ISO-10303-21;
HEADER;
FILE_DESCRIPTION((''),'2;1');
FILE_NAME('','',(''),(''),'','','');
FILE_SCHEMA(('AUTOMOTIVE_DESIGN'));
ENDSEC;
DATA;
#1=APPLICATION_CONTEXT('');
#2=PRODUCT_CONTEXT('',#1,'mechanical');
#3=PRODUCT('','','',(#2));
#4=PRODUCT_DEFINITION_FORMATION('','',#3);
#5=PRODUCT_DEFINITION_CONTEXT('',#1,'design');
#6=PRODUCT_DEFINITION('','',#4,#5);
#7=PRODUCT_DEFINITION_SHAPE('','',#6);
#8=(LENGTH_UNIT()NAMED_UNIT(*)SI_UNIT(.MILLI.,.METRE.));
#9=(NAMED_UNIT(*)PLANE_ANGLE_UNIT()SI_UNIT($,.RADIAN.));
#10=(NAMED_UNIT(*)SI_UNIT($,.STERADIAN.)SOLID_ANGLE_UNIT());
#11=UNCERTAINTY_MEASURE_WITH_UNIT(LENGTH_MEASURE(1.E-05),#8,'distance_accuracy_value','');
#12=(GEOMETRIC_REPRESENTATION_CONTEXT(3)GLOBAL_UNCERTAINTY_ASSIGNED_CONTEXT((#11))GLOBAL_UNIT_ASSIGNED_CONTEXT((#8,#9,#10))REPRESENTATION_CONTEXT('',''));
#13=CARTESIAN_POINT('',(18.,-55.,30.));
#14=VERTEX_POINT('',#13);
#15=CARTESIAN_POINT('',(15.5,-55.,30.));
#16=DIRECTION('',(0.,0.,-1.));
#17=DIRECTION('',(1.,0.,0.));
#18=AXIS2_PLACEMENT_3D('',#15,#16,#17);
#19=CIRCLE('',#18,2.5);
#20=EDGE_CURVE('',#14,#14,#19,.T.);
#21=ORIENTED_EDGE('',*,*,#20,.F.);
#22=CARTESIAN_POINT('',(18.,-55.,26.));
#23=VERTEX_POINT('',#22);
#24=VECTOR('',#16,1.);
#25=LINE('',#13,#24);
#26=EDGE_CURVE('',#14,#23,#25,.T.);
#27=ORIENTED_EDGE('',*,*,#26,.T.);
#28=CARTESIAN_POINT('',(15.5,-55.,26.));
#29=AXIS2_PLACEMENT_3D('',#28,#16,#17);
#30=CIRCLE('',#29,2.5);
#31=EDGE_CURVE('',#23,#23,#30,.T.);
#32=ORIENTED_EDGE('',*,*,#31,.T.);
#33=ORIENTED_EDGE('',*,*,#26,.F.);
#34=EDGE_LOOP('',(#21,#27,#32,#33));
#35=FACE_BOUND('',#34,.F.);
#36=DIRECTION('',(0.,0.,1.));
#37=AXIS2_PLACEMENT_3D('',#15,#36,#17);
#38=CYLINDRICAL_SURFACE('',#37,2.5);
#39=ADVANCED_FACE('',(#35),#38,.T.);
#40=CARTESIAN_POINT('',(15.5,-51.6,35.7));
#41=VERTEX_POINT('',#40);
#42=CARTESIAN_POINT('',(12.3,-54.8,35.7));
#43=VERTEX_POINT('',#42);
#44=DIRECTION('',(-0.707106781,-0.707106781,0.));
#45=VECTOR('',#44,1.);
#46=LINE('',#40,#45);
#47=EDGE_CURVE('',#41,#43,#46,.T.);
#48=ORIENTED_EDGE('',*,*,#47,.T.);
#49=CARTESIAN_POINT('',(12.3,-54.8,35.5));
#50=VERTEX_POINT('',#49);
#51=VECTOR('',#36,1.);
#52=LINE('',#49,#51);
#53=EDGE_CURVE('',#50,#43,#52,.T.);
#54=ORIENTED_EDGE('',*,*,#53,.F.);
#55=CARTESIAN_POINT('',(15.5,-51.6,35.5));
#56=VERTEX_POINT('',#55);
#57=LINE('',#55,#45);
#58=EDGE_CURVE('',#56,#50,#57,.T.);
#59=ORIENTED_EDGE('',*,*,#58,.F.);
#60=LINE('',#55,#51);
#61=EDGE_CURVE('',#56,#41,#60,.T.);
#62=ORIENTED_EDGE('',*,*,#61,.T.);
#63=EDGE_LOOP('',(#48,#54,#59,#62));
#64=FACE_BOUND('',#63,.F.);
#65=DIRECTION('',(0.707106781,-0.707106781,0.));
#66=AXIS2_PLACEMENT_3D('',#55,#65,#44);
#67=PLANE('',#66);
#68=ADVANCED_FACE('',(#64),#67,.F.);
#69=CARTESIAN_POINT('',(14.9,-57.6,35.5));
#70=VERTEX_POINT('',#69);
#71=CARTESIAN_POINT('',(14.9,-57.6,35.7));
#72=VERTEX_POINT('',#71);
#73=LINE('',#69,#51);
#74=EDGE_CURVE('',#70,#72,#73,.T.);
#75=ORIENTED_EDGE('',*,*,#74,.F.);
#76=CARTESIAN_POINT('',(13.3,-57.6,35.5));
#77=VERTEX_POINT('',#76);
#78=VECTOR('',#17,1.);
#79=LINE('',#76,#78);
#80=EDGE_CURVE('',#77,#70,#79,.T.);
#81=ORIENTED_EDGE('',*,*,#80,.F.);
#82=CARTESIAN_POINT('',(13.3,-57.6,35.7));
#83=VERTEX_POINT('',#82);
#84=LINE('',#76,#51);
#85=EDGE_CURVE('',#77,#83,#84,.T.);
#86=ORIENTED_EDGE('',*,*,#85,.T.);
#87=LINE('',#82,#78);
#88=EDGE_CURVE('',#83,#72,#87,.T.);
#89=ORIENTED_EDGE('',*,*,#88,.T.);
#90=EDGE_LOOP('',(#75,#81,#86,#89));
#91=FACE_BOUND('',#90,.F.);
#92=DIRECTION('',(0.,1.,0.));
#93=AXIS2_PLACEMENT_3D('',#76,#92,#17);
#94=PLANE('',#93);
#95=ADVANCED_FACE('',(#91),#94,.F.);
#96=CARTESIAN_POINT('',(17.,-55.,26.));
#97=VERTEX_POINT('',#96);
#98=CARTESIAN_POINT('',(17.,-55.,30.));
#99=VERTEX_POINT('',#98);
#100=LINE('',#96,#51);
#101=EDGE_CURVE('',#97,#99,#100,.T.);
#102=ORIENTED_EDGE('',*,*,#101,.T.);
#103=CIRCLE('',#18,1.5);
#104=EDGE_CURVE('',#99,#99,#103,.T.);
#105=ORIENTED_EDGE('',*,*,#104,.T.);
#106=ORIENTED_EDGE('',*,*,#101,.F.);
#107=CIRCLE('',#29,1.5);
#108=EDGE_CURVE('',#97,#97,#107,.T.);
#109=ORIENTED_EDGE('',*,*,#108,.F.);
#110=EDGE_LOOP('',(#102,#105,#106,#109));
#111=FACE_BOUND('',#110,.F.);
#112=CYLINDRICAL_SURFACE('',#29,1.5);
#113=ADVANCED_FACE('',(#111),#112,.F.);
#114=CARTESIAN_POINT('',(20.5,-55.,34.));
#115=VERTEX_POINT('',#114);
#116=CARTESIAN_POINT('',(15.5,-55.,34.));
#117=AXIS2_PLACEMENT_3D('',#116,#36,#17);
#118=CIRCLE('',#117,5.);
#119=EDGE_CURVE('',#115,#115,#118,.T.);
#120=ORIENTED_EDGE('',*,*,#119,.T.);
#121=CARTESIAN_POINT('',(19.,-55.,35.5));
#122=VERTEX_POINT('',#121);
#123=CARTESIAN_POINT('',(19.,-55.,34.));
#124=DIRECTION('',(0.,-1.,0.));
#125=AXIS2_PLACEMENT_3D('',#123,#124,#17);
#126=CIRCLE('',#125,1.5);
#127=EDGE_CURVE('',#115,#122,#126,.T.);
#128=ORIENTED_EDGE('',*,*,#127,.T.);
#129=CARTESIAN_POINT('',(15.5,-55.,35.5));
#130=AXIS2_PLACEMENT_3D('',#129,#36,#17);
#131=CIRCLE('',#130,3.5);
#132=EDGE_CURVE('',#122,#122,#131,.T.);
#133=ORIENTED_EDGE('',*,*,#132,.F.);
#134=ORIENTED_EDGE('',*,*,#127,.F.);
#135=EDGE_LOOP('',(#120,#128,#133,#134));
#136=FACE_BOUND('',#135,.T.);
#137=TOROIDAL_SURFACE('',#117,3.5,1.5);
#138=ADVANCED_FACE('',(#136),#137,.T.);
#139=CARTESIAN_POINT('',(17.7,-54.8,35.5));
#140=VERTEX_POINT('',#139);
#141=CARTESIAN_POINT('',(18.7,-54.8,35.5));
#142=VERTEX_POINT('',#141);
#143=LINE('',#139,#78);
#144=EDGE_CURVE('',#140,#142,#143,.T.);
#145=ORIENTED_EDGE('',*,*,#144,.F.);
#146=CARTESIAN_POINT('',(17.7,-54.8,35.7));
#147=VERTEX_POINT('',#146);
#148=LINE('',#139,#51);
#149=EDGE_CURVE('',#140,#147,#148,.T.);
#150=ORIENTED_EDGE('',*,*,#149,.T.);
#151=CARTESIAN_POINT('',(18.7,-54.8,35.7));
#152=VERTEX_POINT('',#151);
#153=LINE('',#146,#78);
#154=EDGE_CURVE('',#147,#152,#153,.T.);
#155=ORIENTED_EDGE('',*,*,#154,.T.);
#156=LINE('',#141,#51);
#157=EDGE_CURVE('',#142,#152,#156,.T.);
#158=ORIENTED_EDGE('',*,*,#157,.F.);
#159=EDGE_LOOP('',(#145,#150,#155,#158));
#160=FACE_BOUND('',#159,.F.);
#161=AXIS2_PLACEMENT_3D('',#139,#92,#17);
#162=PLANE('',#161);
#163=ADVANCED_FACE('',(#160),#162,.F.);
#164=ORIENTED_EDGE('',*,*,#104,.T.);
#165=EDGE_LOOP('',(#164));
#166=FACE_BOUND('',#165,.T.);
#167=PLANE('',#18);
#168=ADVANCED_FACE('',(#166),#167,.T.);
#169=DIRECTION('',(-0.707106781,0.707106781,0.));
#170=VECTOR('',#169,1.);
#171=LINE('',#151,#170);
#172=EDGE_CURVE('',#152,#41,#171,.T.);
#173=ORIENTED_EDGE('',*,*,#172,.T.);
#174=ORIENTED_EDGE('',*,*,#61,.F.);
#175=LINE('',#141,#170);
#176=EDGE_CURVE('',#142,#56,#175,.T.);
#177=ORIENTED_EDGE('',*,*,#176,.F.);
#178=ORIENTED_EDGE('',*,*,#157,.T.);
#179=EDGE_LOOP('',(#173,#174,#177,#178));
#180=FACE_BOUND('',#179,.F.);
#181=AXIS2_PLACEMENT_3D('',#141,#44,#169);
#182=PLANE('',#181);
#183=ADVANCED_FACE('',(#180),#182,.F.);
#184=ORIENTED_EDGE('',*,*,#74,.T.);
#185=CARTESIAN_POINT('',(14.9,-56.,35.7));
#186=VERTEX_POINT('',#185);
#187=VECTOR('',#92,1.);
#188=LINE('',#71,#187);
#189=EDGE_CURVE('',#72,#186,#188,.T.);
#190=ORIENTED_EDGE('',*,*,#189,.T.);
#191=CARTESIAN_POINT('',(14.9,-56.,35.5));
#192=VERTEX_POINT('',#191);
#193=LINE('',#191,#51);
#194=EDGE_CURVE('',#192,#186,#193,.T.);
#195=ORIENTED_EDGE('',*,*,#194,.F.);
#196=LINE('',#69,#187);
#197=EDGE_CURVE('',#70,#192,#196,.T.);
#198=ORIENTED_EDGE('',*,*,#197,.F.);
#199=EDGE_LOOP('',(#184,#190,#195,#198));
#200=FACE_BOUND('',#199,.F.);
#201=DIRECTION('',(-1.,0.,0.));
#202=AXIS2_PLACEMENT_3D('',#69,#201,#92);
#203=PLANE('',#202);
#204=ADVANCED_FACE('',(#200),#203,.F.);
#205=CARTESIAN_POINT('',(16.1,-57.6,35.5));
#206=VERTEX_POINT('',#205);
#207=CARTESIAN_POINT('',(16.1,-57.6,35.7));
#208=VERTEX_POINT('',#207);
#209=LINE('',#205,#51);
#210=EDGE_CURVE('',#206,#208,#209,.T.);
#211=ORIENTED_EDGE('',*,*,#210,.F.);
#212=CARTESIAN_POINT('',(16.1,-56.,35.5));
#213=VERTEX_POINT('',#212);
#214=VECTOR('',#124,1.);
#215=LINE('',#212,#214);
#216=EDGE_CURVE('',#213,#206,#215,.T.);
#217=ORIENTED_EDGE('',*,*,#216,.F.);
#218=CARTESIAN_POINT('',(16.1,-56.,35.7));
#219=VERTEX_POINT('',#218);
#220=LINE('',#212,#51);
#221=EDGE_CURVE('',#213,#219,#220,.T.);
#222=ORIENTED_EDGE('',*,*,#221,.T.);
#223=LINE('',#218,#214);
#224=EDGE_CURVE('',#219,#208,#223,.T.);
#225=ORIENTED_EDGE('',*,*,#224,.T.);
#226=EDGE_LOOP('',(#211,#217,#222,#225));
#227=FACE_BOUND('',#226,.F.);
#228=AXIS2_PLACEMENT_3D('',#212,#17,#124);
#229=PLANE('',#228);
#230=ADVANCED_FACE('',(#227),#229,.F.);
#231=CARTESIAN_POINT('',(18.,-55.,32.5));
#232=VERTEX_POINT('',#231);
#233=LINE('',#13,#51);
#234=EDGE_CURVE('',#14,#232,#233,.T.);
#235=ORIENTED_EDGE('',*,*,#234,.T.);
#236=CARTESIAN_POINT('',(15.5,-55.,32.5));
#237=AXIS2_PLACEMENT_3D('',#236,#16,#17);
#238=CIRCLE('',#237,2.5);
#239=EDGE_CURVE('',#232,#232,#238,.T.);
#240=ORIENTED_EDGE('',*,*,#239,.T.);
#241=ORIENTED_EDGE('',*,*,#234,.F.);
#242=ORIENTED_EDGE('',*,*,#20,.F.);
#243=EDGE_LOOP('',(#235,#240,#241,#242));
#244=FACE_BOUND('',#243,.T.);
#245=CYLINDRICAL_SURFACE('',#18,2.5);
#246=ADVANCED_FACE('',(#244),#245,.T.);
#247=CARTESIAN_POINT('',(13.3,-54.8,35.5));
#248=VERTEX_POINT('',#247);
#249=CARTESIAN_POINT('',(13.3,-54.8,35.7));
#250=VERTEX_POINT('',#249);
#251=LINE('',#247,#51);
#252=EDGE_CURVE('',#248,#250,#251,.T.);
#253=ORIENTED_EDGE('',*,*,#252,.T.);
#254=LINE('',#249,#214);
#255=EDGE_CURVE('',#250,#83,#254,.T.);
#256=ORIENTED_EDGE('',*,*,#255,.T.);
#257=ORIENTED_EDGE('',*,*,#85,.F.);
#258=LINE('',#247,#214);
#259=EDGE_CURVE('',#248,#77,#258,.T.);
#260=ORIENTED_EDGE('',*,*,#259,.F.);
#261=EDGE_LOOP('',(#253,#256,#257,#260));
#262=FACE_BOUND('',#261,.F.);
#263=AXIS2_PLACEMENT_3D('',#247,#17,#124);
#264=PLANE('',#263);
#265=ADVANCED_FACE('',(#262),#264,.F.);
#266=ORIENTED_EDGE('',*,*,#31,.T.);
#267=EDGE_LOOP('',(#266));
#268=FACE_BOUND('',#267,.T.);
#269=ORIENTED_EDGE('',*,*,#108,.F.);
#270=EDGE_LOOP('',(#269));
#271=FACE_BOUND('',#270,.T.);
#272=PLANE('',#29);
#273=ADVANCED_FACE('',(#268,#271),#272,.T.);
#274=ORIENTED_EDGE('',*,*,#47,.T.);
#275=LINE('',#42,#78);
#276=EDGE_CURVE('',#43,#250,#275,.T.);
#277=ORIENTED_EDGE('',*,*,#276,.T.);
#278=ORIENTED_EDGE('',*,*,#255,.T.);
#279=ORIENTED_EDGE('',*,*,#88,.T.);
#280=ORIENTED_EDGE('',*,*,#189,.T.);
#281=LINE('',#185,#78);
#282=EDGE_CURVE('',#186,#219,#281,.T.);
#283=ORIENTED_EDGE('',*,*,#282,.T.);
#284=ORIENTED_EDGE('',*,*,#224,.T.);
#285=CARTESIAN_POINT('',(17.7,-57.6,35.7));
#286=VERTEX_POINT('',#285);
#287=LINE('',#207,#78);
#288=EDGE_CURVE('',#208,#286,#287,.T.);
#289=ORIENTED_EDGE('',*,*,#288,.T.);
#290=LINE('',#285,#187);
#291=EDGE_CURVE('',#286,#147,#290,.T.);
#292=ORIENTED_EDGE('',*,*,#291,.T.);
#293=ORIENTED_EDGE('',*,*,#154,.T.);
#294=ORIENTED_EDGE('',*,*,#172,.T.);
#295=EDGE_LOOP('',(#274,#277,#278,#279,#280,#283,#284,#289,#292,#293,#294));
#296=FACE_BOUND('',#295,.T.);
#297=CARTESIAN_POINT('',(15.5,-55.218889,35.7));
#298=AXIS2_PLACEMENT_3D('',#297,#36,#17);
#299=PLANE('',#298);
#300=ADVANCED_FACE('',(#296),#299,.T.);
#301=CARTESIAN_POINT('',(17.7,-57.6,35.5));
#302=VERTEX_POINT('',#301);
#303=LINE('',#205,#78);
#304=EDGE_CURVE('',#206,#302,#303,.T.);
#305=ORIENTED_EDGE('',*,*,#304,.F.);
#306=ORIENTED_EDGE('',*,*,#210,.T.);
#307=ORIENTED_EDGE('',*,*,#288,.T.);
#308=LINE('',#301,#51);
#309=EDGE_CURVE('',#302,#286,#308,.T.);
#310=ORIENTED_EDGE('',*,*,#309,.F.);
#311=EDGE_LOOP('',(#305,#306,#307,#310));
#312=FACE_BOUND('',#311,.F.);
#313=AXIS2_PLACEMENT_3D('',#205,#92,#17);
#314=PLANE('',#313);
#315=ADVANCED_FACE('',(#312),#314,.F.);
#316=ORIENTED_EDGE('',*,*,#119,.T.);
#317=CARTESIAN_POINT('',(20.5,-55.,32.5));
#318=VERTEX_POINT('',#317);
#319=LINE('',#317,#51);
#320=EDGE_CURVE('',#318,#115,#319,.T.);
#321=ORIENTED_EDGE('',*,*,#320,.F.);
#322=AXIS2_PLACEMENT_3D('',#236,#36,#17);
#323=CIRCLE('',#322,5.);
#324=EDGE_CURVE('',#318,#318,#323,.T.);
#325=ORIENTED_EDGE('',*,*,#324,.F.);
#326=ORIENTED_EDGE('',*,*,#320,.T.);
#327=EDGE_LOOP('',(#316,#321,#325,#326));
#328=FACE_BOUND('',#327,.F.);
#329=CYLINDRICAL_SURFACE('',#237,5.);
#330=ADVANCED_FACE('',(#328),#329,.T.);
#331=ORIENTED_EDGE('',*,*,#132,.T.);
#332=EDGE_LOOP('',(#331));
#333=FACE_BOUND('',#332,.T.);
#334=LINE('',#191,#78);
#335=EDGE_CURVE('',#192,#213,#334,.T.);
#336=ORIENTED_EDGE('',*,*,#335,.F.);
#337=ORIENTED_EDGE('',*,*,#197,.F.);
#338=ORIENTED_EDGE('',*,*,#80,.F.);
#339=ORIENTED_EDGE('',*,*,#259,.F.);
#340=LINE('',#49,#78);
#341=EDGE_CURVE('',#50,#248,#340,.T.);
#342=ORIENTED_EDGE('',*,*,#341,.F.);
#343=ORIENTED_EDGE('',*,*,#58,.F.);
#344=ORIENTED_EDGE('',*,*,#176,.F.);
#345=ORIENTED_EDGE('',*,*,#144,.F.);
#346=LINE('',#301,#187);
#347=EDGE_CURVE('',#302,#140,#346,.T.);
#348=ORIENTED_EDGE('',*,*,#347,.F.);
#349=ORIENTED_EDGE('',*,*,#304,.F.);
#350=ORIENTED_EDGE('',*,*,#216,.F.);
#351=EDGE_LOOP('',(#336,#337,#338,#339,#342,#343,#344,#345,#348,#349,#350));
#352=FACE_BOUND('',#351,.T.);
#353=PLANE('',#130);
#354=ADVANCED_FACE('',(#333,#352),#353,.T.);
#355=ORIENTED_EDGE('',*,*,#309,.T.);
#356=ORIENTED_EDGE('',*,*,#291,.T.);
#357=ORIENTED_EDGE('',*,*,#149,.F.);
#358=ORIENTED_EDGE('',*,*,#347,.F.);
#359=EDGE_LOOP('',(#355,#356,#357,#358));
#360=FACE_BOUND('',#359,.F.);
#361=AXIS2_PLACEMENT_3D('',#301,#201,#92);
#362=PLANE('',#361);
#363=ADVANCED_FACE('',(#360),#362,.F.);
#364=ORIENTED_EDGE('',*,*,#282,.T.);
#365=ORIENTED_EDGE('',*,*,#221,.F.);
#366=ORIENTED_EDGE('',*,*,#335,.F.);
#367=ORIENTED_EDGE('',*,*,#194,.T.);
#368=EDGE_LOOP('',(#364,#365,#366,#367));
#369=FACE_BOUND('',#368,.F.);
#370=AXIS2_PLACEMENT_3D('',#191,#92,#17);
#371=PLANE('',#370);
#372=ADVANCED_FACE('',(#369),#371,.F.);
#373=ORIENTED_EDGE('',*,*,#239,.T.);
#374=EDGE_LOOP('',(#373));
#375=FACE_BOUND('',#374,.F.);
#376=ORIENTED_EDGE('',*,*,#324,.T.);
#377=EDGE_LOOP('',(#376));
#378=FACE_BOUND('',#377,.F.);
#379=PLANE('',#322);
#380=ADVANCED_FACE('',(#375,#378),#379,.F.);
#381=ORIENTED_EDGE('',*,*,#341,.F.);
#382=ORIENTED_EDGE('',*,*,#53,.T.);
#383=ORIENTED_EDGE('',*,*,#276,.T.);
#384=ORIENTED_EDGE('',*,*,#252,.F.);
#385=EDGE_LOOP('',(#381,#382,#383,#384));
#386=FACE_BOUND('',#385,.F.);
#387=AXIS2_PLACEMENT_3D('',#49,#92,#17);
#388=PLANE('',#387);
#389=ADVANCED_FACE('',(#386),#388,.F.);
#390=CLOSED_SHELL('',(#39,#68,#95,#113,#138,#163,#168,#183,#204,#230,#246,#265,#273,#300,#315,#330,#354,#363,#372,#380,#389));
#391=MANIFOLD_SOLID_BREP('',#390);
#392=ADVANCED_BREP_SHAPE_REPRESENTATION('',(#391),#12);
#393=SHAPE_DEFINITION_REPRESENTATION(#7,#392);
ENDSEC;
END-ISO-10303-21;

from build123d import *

# Parameters (mm, degrees)
SKETCH046_R     = 2.5
PAD023_DEPTH    = 2.5
SKETCH047_R     = 5
PAD024_DEPTH    = 3
FILLET003_R     = 1.5
SKETCH049_R     = 2.5
PAD025_DEPTH    = 4
SKETCH050_R     = 1.5
POCKET026_DEPTH = 4
PAD051_DEPTH    = 0.2


with BuildPart() as part:
    # Sketch046 → Pad023 (new body)
    with BuildSketch(Plane(origin=(0, 0, 30), x_dir=(1, 0, 0), z_dir=(0, 0, -1))):
        with Locations((101, 55)):
            Circle(SKETCH046_R)
    extrude(amount=-PAD023_DEPTH)

    # Sketch047 (on Face3 of Pad023) → Pad024 (join)
    with BuildSketch(Plane.XY.offset(32.5)):
        with Locations((101, -55)):
            Circle(SKETCH047_R)
    extrude(amount=PAD024_DEPTH)

    # Fillet003
    fillet003_edges = [part.edges().sort_by_distance(p)[0] for p in [
        (96, -55, 35.5),
    ]]
    fillet(fillet003_edges, radius=FILLET003_R)

    # Sketch049 → Pad025 (join)
    with BuildSketch(Plane(origin=(0, 0, 30), x_dir=(1, 0, 0), z_dir=(0, 0, -1))):
        with Locations((101, 55)):
            Circle(SKETCH049_R)
    extrude(amount=PAD025_DEPTH)

    # Sketch050 (on Face17 of Pad025) → Pocket026 (cut)
    with BuildSketch(Plane(origin=(0, 0, 26), x_dir=(1, 0, 0), z_dir=(0, 0, -1))):
        with Locations((101, 55)):
            Circle(SKETCH050_R)
    extrude(amount=-POCKET026_DEPTH, mode=Mode.SUBTRACT)


with BuildPart() as part_1:
    # Body002 placement: moved
    add(part.part.moved(Location((75, 0, 0))))

    # Sketch085 (on Face4 of Clone003) → Pad051 (new body)
    with BuildSketch(Plane(origin=(176, -55, 35.5), x_dir=(1, 0, 0), z_dir=(0, 0, 1))):
        Polygon((-0.6, -2.6), (-0.6, -1), (0.6, -1), (0.6, -2.6), (2.2, -2.6), (2.2, 0.2), (3.2, 0.2), (0, 3.4), (-3.2, 0.2), (-2.2, 0.2), (-2.2, -2.6), align=None)
    extrude(amount=PAD051_DEPTH)


with BuildPart() as part_2:
    # Body009 placement: moved
    add(part_1.part.moved(Location((-160.5, 0, 0))))


solid = part_2.part
